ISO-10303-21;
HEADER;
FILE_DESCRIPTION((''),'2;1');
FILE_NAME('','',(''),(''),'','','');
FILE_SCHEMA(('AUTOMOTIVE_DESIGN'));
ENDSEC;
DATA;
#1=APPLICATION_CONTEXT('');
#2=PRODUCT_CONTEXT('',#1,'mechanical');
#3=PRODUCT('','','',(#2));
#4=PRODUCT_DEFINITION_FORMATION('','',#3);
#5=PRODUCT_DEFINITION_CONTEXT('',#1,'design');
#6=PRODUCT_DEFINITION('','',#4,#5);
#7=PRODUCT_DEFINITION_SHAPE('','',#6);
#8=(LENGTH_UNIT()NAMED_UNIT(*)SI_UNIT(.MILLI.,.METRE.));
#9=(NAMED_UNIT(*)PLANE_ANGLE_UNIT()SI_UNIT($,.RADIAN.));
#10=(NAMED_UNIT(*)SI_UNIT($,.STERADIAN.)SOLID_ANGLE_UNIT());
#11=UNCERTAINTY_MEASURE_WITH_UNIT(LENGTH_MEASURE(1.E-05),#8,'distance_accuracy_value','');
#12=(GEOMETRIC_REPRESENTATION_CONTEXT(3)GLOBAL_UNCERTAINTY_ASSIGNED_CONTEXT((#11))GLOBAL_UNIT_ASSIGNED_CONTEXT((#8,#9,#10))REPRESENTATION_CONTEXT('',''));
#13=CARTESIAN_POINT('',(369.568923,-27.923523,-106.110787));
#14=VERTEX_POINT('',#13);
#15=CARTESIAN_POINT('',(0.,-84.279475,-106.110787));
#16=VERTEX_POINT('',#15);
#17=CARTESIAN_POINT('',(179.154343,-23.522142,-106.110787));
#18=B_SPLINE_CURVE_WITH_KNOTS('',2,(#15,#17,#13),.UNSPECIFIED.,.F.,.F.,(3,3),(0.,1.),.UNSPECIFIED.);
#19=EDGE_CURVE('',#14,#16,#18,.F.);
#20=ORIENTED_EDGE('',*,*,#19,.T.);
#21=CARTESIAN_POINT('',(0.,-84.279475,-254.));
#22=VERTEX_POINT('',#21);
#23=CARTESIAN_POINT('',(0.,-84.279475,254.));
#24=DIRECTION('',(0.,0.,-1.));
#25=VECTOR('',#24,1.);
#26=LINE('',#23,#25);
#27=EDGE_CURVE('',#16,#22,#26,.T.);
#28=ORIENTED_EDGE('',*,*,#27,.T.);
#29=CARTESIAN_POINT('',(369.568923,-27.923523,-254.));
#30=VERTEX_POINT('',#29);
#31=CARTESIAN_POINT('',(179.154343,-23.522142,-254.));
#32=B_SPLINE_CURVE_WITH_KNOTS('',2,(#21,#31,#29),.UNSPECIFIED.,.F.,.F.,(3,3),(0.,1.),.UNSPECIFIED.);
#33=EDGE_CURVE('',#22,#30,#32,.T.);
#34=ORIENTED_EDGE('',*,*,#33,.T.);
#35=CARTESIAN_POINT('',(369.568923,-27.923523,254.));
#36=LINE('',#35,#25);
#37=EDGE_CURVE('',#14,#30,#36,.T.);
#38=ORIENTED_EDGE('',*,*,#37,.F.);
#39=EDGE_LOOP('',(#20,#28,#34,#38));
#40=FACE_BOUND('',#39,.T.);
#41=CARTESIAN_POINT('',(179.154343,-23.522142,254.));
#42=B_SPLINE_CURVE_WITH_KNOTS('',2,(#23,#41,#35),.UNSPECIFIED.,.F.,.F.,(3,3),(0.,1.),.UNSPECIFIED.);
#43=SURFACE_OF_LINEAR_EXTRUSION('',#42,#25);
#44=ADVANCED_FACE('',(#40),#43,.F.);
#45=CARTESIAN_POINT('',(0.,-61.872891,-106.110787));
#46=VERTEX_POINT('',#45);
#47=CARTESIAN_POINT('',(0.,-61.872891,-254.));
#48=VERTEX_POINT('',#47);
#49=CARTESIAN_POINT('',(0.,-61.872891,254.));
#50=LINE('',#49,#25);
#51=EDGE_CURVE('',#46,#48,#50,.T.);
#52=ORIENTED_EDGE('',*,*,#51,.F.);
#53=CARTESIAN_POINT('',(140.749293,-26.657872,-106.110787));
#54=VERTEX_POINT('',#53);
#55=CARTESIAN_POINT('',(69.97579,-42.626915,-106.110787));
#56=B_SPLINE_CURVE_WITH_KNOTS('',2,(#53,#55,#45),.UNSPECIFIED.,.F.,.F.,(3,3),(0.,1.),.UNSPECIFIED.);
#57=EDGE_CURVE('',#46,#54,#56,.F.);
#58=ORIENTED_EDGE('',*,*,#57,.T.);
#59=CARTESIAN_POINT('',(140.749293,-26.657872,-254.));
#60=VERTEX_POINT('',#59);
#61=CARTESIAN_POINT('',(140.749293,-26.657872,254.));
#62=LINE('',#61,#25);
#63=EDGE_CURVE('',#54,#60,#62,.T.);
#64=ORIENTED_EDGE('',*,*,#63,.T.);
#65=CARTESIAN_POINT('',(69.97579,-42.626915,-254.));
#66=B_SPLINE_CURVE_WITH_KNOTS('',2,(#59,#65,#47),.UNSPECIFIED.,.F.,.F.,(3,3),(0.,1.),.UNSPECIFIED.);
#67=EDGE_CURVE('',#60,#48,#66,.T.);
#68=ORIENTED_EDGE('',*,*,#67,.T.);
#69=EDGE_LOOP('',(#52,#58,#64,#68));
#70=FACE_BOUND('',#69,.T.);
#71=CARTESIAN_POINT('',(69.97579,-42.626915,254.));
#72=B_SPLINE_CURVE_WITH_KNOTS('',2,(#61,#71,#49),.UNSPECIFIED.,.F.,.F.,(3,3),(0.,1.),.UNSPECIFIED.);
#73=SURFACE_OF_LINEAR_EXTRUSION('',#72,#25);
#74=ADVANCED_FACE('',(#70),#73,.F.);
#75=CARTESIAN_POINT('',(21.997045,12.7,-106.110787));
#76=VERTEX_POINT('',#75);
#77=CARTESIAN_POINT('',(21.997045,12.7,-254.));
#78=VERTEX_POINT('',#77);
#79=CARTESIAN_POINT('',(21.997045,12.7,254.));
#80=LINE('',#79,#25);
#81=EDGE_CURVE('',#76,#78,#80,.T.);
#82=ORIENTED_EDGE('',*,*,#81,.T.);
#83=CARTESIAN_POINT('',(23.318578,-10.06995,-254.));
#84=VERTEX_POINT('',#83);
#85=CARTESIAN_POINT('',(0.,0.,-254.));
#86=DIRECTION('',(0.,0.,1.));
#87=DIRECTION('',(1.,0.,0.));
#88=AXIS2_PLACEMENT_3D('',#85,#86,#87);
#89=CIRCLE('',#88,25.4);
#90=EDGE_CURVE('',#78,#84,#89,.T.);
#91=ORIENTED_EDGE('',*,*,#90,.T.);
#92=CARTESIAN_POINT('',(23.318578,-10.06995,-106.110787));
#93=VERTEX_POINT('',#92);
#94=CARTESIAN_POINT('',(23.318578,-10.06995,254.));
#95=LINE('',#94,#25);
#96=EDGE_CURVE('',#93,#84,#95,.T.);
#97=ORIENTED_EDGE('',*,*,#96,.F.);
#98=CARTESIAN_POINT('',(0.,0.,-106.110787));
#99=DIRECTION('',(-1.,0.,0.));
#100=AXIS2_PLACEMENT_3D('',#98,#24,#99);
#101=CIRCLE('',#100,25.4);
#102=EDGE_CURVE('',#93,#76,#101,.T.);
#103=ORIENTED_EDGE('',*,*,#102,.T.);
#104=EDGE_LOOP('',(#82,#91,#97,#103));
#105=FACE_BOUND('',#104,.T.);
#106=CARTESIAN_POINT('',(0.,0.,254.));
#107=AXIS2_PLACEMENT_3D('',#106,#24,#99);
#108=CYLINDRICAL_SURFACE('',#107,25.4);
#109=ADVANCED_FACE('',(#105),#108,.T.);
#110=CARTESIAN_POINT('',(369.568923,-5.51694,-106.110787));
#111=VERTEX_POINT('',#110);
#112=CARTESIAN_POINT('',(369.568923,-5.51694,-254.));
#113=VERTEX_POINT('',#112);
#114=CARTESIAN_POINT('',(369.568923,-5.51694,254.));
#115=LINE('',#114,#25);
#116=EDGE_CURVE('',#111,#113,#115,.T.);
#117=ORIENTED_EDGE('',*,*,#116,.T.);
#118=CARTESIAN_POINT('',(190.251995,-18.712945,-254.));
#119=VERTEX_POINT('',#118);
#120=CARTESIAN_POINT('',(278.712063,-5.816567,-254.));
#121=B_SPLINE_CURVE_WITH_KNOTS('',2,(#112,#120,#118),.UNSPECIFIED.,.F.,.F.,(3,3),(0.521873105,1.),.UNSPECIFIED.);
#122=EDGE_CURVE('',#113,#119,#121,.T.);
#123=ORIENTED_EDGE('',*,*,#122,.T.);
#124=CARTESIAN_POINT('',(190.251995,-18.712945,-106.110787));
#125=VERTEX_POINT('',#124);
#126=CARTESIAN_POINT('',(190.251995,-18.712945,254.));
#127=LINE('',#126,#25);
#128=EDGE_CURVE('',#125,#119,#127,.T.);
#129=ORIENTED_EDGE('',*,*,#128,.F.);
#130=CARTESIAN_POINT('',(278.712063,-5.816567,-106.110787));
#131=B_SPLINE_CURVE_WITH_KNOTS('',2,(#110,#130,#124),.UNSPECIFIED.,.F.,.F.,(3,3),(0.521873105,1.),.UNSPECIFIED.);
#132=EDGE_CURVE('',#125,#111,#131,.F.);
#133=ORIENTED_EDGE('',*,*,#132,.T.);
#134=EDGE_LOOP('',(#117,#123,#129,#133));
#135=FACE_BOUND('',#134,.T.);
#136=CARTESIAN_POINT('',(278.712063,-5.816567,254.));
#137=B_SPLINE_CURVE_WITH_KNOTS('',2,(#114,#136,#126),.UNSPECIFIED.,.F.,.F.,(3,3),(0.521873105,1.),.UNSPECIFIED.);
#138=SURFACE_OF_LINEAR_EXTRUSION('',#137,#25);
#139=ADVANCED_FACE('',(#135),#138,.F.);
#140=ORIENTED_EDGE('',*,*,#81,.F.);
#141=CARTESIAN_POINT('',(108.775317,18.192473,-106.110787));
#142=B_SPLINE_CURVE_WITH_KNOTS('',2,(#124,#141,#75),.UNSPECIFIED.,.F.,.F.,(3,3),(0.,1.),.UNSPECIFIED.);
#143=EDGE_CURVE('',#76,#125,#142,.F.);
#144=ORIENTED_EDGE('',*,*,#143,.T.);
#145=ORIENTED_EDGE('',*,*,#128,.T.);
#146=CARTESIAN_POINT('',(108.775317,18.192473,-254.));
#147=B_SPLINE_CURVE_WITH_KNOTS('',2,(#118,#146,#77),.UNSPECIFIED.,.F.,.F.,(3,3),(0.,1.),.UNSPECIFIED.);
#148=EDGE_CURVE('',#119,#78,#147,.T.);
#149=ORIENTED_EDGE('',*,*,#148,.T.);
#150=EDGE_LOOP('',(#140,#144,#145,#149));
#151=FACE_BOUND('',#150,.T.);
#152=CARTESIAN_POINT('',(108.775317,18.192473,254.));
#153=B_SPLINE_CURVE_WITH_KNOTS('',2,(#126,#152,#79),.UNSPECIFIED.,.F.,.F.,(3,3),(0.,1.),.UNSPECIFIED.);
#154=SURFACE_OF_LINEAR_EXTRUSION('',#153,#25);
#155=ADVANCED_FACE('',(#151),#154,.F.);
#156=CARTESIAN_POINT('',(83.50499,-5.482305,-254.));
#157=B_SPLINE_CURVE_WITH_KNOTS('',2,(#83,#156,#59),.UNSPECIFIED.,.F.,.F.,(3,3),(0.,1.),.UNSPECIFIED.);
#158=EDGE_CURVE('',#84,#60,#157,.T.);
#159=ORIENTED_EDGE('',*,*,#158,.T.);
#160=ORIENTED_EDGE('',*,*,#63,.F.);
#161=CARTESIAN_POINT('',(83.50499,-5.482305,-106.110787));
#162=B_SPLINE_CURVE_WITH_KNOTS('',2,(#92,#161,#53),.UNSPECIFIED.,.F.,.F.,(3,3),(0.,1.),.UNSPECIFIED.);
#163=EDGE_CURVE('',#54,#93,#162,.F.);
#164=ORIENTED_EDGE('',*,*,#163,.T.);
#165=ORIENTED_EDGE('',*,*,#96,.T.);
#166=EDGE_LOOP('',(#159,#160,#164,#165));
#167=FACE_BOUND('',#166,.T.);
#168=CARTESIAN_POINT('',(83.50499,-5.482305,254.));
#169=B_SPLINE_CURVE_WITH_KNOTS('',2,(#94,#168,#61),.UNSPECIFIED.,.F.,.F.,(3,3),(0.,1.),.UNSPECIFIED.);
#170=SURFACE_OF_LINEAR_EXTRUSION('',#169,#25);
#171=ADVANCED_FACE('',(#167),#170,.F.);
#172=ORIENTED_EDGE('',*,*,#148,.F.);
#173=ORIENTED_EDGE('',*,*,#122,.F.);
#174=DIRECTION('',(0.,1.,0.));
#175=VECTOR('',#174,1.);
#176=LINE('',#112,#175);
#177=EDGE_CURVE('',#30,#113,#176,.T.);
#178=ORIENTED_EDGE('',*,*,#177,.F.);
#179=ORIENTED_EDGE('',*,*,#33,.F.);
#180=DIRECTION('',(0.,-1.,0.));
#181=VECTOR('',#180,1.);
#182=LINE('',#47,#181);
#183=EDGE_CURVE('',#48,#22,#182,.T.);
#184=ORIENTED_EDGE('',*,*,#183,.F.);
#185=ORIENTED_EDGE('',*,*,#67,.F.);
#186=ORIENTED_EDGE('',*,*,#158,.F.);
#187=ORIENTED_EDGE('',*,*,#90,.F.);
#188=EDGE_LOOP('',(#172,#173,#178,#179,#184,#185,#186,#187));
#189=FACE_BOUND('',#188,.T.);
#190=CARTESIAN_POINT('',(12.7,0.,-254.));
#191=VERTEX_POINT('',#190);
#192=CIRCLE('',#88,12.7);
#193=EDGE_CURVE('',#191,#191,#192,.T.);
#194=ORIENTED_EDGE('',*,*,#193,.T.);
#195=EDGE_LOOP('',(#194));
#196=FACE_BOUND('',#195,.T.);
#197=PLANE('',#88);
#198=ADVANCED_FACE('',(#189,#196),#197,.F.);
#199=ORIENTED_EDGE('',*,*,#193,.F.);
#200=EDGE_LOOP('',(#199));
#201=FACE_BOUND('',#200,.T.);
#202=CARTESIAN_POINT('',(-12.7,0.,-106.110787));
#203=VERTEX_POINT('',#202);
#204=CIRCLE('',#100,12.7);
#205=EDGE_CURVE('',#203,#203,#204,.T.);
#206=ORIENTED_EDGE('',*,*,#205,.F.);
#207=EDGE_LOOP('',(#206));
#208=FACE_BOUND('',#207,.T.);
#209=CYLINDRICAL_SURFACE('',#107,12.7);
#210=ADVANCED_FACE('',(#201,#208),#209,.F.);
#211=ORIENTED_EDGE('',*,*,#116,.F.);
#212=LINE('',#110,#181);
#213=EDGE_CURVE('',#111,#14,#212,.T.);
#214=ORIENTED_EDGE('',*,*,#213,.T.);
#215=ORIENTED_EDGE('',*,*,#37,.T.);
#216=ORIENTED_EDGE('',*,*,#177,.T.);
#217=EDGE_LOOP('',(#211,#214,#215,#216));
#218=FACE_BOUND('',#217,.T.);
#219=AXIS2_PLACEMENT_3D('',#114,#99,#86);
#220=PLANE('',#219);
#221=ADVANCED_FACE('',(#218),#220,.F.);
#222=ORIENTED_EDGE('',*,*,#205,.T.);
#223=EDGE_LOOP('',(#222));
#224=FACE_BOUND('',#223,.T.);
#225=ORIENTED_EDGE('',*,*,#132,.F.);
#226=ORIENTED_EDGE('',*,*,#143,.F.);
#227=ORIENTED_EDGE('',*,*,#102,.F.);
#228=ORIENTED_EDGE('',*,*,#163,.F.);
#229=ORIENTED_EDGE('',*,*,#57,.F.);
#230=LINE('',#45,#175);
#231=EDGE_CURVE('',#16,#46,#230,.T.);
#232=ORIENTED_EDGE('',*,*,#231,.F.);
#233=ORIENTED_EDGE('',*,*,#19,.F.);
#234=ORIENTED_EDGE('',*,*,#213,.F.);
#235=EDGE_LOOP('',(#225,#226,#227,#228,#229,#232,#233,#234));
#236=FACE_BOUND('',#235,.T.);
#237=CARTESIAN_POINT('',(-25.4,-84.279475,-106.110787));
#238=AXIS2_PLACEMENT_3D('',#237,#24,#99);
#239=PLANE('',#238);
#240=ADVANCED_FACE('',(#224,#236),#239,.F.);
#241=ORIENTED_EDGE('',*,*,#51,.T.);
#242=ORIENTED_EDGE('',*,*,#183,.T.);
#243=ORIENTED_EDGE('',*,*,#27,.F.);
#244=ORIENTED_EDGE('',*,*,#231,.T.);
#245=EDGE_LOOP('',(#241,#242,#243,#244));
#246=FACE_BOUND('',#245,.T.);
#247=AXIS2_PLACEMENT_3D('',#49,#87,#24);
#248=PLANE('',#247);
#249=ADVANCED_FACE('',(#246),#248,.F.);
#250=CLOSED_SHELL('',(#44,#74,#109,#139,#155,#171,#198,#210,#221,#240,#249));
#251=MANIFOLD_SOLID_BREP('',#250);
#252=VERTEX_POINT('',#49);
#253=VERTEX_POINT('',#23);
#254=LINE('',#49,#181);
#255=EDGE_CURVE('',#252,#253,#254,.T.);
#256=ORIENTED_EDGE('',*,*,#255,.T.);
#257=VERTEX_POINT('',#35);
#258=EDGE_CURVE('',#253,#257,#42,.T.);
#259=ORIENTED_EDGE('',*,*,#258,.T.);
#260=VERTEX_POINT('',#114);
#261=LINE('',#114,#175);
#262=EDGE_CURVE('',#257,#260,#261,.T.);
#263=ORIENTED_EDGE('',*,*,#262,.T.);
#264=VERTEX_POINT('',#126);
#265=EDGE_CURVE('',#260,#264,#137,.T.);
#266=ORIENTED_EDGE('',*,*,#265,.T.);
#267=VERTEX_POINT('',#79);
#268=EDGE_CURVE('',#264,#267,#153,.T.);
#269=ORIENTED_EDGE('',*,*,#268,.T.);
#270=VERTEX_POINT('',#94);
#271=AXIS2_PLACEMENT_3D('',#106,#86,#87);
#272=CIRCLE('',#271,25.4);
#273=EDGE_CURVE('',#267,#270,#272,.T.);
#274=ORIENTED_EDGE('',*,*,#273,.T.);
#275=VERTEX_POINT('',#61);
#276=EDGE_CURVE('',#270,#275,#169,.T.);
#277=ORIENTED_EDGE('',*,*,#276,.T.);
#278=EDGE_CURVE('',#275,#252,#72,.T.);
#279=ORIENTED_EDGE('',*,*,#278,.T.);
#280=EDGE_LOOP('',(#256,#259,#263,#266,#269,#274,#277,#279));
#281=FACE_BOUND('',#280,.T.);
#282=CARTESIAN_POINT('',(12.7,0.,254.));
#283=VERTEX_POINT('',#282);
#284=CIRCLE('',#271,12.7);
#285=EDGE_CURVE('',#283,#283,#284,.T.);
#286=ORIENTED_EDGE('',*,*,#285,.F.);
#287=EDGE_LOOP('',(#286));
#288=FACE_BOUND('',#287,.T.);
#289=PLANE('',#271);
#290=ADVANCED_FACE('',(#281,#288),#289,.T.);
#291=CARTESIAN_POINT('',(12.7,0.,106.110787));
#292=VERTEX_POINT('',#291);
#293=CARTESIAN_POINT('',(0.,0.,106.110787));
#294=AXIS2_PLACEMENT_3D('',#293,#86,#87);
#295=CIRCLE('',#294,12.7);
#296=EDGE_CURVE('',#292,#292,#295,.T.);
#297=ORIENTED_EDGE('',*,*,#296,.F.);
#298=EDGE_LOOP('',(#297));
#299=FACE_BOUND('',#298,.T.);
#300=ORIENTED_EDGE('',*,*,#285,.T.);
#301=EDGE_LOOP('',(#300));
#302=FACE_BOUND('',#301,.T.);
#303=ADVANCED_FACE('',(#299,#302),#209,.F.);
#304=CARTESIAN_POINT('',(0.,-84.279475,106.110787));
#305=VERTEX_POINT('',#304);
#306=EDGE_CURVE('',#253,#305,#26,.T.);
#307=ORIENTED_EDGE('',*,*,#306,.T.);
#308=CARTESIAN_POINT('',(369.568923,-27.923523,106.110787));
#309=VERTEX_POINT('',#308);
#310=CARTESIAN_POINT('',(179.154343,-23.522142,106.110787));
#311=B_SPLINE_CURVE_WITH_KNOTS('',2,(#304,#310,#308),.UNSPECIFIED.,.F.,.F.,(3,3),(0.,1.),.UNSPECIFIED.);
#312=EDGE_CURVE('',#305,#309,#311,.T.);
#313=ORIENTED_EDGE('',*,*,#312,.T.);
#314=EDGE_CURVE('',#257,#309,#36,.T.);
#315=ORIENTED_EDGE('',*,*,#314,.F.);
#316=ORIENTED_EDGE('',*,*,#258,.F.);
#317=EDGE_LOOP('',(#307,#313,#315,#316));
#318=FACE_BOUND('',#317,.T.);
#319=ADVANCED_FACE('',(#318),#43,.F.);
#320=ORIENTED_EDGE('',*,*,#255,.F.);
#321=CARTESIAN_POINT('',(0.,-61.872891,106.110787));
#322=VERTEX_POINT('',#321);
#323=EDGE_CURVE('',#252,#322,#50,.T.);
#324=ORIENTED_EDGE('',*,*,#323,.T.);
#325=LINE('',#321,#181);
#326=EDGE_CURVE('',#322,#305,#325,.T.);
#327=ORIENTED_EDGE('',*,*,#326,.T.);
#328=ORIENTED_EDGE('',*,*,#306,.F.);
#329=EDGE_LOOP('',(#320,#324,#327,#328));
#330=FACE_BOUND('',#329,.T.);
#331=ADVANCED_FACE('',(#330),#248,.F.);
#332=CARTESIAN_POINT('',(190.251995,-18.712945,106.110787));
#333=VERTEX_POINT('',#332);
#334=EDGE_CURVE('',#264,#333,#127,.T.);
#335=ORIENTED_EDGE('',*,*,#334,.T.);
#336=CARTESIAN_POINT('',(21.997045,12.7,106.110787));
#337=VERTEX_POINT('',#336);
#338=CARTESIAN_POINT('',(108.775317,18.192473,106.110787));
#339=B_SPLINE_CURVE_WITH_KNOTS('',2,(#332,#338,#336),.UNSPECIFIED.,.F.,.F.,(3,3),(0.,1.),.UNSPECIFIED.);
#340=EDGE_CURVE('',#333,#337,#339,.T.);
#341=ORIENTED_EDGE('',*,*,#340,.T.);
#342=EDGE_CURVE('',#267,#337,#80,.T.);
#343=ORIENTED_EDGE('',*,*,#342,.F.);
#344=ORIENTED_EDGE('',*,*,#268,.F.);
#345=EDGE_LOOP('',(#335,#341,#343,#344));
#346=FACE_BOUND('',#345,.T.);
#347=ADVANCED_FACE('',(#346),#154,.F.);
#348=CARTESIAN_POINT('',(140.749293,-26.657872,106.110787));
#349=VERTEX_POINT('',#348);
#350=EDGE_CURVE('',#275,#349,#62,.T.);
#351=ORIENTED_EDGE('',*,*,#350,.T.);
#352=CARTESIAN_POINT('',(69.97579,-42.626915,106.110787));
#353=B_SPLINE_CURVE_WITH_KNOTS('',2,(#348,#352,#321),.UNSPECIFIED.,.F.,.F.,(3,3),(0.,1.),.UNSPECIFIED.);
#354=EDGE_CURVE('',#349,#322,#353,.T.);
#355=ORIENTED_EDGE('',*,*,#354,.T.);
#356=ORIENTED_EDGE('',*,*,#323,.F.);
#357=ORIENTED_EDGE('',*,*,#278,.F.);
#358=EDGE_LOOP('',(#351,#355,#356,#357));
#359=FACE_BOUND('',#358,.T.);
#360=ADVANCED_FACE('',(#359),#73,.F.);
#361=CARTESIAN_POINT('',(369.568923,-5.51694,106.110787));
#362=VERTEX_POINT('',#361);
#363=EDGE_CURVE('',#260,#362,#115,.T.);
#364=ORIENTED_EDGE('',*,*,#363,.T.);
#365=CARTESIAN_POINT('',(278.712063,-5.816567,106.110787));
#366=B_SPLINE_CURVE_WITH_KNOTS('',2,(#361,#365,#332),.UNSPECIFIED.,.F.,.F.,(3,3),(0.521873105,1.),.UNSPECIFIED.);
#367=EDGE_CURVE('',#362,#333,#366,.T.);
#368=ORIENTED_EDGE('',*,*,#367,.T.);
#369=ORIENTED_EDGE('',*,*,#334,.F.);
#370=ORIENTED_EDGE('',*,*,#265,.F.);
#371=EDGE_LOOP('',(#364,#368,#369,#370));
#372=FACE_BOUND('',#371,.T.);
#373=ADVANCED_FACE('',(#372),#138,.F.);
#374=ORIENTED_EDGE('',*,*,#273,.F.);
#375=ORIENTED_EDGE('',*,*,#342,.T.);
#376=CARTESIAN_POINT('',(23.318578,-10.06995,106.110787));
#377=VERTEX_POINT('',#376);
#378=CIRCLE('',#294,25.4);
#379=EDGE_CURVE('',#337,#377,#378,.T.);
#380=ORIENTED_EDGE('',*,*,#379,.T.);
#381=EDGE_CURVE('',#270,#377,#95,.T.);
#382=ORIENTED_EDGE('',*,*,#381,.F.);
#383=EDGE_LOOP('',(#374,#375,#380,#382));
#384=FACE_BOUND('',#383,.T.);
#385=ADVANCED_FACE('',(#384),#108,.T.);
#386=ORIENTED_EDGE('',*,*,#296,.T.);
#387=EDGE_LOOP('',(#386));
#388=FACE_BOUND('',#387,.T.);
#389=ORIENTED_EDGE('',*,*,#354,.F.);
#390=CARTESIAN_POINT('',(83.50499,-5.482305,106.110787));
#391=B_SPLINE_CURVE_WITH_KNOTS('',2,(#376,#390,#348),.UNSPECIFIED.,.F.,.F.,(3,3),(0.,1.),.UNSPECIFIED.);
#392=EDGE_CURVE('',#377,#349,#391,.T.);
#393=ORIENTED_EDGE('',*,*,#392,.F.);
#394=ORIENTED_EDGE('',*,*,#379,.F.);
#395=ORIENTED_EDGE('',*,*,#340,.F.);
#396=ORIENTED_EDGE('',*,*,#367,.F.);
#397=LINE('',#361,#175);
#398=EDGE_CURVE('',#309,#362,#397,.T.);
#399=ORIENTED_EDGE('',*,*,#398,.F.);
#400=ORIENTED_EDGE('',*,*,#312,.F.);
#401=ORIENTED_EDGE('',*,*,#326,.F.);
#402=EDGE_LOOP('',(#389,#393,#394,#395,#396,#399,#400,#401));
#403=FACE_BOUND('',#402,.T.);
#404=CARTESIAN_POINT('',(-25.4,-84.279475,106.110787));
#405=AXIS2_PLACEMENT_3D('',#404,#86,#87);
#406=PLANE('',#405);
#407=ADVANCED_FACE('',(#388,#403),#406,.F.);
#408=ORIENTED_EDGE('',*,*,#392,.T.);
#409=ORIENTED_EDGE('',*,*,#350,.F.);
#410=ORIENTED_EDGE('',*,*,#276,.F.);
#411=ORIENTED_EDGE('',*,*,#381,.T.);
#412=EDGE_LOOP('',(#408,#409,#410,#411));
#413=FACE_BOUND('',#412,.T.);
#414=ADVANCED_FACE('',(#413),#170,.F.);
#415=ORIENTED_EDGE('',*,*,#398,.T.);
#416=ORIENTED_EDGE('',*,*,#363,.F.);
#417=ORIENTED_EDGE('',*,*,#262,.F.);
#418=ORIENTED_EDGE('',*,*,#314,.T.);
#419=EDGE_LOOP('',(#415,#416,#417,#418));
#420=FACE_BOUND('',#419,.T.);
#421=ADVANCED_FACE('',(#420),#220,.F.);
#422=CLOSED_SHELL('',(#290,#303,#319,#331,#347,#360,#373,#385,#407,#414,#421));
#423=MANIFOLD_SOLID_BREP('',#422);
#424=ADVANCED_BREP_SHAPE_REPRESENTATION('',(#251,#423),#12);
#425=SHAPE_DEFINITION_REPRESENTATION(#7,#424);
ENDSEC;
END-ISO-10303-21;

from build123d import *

# Parameters (mm, degrees)
SKETCH1_R               = 25.4
SKETCH1_R_2             = 12.7
BOSS_EXTRUDE1_DEPTH     = 254
BOSS_EXTRUDE2_DEPTH     = 254
CUT_EXTRUDE2_DEPTH      = 457.289621816
CUT_EXTRUDE2_DEPTH_BACK = 457.289621816
SKETCH4_W               = 419.69261594
SKETCH4_H               = 212.221573602


with BuildPart() as part:
    # Sketch1 → Boss-Extrude1 (new, symmetric)
    with BuildSketch(Plane.XY):
        Circle(SKETCH1_R)
        Circle(SKETCH1_R_2, mode=Mode.SUBTRACT)
    extrude(amount=BOSS_EXTRUDE1_DEPTH, both=True)

    # Sketch3 → Boss-Extrude2 (add, symmetric)
    with BuildSketch(Plane.XY):
        with BuildLine():
            Line((0, -61.872891468), (0, -84.279474595))
            add(Edge.make_bspline(
                [(0, -84.279474595), (179.154342515, -23.522142215), (369.568923203, -27.923523093)],
                knots=[0, 0, 0, 1, 1, 1], degree=2))
            Line((369.568923203, -27.923523093), (369.568923203, -5.516939966))
            add(Edge.make_bspline(
                [(190.2519953, -18.712944977), (278.712063384, -5.816566684), (369.568923203, -5.516939966)],
                knots=[0.521873105, 0.521873105, 0.521873105, 1, 1, 1], degree=2))
            add(Edge.make_bspline(
                [(21.997045256, 12.7), (108.775317236, 18.192473257), (190.2519953, -18.712944977)],
                knots=[0, 0, 0, 1, 1, 1], degree=2))
            ThreePointArc((21.997045256, 12.7), (25.357328272, 1.471700676), (23.318578458, -10.069950282))
            add(Edge.make_bspline(
                [(23.318578458, -10.069950282), (83.504990311, -5.482305261), (140.74929301, -26.657872419)],
                knots=[0, 0, 0, 1, 1, 1], degree=2))
            add(Edge.make_bspline(
                [(0, -61.872891468), (69.975789809, -42.626915469), (140.74929301, -26.657872419)],
                knots=[0, 0, 0, 1, 1, 1], degree=2))
        make_face()
    extrude(amount=BOSS_EXTRUDE2_DEPTH, both=True)

    # Sketch4 → Cut-Extrude2 (cut, two sides: drawn at the far end of the back side and taken through both)
    with BuildSketch(Plane(origin=(0, 0, 0), x_dir=(1, 0, 0), z_dir=(0, 1, 0)).offset(-CUT_EXTRUDE2_DEPTH_BACK)):
        with Locations((184.44630797, 0)):
            Rectangle(SKETCH4_W, SKETCH4_H)
    extrude(amount=CUT_EXTRUDE2_DEPTH + CUT_EXTRUDE2_DEPTH_BACK, mode=Mode.SUBTRACT)


with BuildPart() as cut_extrude2_piece_1:
    # of the separate pieces the step leaves, piece 1, a body of its own (cut_extrude2_pieces)
    add(part.part.solids().sort_by_distance((23.318578458, -10.069950282, -106.110786801))[0])


with BuildPart() as cut_extrude2_piece_2:
    # of the separate pieces the step leaves, piece 2, a body of its own (cut_extrude2_pieces)
    add(part.part.solids().sort_by_distance((21.997045256, 12.7, 106.110786801))[0])


solid = Compound([cut_extrude2_piece_1.part, cut_extrude2_piece_2.part])
